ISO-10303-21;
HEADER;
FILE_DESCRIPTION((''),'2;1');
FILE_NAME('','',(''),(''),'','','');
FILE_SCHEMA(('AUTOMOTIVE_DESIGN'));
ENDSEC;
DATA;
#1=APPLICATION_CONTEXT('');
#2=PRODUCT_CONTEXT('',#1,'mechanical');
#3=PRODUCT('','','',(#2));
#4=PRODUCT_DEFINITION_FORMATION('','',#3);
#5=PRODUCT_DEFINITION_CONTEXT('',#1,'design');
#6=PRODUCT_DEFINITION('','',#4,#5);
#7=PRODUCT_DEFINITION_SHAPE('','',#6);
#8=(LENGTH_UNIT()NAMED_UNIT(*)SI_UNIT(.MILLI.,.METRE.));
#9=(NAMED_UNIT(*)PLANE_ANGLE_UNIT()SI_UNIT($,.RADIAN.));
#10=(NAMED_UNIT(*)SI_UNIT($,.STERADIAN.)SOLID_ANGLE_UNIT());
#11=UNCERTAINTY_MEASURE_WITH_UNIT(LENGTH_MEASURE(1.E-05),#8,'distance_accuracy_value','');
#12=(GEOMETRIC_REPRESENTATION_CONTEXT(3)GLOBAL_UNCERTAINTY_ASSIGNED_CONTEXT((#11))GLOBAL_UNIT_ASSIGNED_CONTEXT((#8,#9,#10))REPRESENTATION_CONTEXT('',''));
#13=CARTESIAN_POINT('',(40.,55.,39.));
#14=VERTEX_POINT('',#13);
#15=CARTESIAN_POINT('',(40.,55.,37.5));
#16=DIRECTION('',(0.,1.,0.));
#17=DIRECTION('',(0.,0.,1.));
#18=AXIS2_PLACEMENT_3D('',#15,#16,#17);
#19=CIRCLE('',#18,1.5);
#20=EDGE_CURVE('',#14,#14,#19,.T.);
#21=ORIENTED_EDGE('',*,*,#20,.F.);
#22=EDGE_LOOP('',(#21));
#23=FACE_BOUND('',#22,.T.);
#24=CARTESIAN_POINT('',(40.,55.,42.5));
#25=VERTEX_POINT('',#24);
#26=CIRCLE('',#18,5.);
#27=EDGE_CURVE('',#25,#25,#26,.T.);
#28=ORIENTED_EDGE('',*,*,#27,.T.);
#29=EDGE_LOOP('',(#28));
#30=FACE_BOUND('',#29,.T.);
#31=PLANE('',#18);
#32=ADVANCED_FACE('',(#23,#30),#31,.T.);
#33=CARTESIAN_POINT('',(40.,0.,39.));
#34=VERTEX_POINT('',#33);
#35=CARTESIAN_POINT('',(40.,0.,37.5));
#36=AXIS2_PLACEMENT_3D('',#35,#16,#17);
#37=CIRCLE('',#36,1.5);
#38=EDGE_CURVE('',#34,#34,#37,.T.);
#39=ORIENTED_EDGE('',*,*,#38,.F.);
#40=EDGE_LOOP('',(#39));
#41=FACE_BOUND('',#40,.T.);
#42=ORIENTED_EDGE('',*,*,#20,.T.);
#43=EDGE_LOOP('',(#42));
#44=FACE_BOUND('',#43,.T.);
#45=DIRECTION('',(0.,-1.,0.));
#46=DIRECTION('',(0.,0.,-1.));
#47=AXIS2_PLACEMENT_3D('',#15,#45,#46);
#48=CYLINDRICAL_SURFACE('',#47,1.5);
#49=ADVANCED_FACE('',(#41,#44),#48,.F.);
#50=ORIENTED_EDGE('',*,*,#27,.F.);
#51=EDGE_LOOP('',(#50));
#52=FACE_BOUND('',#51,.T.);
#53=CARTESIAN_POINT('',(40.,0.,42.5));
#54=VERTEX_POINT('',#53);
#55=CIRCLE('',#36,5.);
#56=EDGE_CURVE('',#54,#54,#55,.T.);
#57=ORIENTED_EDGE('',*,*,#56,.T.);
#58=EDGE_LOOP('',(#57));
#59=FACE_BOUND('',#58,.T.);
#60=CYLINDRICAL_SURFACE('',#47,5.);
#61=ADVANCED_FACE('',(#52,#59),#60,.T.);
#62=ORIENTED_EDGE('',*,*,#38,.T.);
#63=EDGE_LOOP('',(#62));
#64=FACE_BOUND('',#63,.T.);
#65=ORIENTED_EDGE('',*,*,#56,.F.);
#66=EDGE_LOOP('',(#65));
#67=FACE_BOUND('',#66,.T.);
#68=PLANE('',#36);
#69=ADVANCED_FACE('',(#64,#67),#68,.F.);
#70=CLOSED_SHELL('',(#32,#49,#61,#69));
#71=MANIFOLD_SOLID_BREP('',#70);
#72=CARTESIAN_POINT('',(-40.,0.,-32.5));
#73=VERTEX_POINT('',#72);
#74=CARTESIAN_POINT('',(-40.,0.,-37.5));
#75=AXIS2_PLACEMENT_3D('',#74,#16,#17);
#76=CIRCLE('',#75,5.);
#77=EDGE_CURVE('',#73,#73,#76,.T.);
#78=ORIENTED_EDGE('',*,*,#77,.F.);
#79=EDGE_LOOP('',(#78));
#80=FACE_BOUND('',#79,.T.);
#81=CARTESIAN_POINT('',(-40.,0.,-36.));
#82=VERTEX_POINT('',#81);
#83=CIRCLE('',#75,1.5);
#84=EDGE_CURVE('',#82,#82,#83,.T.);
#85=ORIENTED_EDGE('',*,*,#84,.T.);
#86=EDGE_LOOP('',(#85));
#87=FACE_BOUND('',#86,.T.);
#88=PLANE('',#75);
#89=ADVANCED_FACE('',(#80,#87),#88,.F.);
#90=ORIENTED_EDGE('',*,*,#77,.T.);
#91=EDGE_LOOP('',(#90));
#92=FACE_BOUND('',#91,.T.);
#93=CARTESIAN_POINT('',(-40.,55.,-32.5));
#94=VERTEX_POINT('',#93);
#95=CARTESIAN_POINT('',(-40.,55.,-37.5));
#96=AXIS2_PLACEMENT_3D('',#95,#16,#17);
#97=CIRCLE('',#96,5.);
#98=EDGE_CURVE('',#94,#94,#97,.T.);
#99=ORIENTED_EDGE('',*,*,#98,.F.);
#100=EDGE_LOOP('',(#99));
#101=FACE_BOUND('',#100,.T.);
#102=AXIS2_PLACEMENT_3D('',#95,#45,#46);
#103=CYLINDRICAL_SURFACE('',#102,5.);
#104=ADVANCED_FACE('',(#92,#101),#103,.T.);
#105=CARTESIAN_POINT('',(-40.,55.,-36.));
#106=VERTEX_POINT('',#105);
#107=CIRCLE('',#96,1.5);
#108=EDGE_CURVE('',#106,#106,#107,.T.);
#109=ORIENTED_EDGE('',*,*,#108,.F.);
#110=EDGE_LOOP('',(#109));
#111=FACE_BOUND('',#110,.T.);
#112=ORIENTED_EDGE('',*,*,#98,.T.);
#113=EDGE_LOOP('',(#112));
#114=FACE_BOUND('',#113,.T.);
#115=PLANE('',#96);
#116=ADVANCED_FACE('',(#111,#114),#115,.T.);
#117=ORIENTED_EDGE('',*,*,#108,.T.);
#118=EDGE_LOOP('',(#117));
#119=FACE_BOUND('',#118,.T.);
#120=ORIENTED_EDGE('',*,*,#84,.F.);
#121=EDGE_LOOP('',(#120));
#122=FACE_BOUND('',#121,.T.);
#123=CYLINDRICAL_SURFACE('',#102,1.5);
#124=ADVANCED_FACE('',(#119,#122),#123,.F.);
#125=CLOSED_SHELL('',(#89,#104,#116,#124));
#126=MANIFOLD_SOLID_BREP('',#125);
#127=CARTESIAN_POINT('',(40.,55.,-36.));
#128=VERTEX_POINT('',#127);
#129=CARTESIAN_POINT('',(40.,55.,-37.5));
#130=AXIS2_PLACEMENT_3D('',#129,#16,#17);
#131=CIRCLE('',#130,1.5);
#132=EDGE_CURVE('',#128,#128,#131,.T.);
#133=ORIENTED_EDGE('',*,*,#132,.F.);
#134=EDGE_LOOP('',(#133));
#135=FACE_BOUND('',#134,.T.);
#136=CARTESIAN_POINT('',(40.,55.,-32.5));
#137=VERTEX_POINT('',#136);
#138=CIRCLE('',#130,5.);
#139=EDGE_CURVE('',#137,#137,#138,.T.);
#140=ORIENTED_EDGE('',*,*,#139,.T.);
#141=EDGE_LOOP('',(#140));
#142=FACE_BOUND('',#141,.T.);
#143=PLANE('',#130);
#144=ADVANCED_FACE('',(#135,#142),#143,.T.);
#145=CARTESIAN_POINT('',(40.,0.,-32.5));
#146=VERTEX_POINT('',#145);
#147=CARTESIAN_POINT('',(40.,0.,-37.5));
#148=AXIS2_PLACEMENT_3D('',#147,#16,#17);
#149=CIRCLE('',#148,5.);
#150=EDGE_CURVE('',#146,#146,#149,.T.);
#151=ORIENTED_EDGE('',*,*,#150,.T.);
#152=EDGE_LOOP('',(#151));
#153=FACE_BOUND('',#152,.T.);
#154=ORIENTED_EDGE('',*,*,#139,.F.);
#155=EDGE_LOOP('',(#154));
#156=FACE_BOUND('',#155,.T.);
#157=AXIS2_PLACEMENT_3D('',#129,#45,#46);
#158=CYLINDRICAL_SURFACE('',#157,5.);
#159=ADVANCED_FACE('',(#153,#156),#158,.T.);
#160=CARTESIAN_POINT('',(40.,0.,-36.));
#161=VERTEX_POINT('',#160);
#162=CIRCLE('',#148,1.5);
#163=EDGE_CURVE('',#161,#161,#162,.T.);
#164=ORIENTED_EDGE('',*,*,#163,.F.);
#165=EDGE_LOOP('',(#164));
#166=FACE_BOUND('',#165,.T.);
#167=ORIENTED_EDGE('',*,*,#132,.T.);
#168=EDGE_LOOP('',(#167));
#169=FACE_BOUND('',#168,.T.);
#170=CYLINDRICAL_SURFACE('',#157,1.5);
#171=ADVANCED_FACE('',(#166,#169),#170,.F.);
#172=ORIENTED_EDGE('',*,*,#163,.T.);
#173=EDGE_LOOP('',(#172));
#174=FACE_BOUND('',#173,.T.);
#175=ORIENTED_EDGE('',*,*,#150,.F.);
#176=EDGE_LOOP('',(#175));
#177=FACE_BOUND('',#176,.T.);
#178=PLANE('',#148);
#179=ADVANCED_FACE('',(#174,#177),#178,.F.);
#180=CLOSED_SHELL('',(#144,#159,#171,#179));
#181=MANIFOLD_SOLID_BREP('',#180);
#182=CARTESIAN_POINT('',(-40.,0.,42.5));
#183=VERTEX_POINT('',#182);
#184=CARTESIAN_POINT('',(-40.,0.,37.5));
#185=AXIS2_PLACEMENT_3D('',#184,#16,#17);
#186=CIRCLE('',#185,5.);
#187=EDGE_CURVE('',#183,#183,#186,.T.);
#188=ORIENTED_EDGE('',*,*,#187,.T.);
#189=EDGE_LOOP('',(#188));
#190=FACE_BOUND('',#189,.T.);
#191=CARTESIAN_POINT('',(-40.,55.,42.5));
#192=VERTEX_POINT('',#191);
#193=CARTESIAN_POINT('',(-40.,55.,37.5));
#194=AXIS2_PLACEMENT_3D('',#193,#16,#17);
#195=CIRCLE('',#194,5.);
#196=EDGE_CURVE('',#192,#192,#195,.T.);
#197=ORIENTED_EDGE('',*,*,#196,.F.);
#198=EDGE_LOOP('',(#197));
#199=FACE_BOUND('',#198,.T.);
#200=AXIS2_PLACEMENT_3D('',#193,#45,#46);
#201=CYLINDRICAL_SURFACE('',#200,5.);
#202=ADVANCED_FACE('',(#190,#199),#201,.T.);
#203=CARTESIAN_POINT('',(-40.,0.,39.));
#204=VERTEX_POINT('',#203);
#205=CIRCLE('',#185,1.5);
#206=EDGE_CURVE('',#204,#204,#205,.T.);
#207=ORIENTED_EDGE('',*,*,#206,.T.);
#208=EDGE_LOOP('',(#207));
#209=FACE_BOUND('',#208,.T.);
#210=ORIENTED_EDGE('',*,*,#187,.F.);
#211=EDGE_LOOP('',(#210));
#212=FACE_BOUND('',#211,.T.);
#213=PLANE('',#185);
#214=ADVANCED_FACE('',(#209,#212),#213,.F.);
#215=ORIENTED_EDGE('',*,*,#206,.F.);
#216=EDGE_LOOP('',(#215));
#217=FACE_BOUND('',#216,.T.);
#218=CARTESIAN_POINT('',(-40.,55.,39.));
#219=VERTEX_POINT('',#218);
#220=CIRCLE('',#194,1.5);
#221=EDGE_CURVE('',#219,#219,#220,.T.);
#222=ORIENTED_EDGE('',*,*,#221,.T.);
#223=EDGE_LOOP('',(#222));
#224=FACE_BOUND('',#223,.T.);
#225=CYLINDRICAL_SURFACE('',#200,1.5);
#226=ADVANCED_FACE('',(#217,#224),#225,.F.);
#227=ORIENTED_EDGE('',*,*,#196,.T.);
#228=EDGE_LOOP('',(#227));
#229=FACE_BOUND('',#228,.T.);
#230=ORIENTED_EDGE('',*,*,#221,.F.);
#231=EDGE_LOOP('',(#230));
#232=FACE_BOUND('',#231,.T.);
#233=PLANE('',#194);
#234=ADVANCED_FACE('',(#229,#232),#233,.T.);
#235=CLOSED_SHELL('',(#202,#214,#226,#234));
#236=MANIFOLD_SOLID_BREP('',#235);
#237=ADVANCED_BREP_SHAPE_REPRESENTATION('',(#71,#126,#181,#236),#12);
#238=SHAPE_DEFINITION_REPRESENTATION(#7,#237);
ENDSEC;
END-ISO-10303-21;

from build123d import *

# Parameters (mm, degrees)
SKETCH1_R             = 5
SKETCH1_R_2           = 1.5
BOSS_EXTRUDE1_DEPTH   = 55
BOSS_EXTRUDE1_2_DEPTH = 55
BOSS_EXTRUDE1_3_DEPTH = 55
BOSS_EXTRUDE1_4_DEPTH = 55


with BuildPart() as part:
    # Sketch1 → Boss-Extrude1 (new body)
    with BuildSketch(Plane(origin=(0, 0, 0), x_dir=(1, 0, 0), z_dir=(0, 1, 0))):
        with Locations((-40, 37.5)):
            Circle(SKETCH1_R)
        with Locations((-40, 37.5)):
            Circle(SKETCH1_R_2, mode=Mode.SUBTRACT)
    extrude(amount=BOSS_EXTRUDE1_DEPTH)


with BuildPart() as body_2:
    # Sketch1 → Boss-Extrude1 2 (new body)
    with BuildSketch(Plane(origin=(0, 0, 0), x_dir=(1, 0, 0), z_dir=(0, 1, 0))):
        with Locations((40, 37.5)):
            Circle(SKETCH1_R)
        with Locations((40, 37.5)):
            Circle(SKETCH1_R_2, mode=Mode.SUBTRACT)
    extrude(amount=BOSS_EXTRUDE1_2_DEPTH)


with BuildPart() as body_3:
    # Sketch1 → Boss-Extrude1 3 (new body)
    with BuildSketch(Plane(origin=(0, 0, 0), x_dir=(1, 0, 0), z_dir=(0, 1, 0))):
        with Locations((40, -37.5)):
            Circle(SKETCH1_R)
        with Locations((40, -37.5)):
            Circle(SKETCH1_R_2, mode=Mode.SUBTRACT)
    extrude(amount=BOSS_EXTRUDE1_3_DEPTH)


with BuildPart() as body_4:
    # Sketch1 → Boss-Extrude1 4 (new body)
    with BuildSketch(Plane(origin=(0, 0, 0), x_dir=(1, 0, 0), z_dir=(0, 1, 0))):
        with Locations((-40, -37.5)):
            Circle(SKETCH1_R)
        with Locations((-40, -37.5)):
            Circle(SKETCH1_R_2, mode=Mode.SUBTRACT)
    extrude(amount=BOSS_EXTRUDE1_4_DEPTH)


solid = Compound([part.part, body_2.part, body_3.part, body_4.part])
